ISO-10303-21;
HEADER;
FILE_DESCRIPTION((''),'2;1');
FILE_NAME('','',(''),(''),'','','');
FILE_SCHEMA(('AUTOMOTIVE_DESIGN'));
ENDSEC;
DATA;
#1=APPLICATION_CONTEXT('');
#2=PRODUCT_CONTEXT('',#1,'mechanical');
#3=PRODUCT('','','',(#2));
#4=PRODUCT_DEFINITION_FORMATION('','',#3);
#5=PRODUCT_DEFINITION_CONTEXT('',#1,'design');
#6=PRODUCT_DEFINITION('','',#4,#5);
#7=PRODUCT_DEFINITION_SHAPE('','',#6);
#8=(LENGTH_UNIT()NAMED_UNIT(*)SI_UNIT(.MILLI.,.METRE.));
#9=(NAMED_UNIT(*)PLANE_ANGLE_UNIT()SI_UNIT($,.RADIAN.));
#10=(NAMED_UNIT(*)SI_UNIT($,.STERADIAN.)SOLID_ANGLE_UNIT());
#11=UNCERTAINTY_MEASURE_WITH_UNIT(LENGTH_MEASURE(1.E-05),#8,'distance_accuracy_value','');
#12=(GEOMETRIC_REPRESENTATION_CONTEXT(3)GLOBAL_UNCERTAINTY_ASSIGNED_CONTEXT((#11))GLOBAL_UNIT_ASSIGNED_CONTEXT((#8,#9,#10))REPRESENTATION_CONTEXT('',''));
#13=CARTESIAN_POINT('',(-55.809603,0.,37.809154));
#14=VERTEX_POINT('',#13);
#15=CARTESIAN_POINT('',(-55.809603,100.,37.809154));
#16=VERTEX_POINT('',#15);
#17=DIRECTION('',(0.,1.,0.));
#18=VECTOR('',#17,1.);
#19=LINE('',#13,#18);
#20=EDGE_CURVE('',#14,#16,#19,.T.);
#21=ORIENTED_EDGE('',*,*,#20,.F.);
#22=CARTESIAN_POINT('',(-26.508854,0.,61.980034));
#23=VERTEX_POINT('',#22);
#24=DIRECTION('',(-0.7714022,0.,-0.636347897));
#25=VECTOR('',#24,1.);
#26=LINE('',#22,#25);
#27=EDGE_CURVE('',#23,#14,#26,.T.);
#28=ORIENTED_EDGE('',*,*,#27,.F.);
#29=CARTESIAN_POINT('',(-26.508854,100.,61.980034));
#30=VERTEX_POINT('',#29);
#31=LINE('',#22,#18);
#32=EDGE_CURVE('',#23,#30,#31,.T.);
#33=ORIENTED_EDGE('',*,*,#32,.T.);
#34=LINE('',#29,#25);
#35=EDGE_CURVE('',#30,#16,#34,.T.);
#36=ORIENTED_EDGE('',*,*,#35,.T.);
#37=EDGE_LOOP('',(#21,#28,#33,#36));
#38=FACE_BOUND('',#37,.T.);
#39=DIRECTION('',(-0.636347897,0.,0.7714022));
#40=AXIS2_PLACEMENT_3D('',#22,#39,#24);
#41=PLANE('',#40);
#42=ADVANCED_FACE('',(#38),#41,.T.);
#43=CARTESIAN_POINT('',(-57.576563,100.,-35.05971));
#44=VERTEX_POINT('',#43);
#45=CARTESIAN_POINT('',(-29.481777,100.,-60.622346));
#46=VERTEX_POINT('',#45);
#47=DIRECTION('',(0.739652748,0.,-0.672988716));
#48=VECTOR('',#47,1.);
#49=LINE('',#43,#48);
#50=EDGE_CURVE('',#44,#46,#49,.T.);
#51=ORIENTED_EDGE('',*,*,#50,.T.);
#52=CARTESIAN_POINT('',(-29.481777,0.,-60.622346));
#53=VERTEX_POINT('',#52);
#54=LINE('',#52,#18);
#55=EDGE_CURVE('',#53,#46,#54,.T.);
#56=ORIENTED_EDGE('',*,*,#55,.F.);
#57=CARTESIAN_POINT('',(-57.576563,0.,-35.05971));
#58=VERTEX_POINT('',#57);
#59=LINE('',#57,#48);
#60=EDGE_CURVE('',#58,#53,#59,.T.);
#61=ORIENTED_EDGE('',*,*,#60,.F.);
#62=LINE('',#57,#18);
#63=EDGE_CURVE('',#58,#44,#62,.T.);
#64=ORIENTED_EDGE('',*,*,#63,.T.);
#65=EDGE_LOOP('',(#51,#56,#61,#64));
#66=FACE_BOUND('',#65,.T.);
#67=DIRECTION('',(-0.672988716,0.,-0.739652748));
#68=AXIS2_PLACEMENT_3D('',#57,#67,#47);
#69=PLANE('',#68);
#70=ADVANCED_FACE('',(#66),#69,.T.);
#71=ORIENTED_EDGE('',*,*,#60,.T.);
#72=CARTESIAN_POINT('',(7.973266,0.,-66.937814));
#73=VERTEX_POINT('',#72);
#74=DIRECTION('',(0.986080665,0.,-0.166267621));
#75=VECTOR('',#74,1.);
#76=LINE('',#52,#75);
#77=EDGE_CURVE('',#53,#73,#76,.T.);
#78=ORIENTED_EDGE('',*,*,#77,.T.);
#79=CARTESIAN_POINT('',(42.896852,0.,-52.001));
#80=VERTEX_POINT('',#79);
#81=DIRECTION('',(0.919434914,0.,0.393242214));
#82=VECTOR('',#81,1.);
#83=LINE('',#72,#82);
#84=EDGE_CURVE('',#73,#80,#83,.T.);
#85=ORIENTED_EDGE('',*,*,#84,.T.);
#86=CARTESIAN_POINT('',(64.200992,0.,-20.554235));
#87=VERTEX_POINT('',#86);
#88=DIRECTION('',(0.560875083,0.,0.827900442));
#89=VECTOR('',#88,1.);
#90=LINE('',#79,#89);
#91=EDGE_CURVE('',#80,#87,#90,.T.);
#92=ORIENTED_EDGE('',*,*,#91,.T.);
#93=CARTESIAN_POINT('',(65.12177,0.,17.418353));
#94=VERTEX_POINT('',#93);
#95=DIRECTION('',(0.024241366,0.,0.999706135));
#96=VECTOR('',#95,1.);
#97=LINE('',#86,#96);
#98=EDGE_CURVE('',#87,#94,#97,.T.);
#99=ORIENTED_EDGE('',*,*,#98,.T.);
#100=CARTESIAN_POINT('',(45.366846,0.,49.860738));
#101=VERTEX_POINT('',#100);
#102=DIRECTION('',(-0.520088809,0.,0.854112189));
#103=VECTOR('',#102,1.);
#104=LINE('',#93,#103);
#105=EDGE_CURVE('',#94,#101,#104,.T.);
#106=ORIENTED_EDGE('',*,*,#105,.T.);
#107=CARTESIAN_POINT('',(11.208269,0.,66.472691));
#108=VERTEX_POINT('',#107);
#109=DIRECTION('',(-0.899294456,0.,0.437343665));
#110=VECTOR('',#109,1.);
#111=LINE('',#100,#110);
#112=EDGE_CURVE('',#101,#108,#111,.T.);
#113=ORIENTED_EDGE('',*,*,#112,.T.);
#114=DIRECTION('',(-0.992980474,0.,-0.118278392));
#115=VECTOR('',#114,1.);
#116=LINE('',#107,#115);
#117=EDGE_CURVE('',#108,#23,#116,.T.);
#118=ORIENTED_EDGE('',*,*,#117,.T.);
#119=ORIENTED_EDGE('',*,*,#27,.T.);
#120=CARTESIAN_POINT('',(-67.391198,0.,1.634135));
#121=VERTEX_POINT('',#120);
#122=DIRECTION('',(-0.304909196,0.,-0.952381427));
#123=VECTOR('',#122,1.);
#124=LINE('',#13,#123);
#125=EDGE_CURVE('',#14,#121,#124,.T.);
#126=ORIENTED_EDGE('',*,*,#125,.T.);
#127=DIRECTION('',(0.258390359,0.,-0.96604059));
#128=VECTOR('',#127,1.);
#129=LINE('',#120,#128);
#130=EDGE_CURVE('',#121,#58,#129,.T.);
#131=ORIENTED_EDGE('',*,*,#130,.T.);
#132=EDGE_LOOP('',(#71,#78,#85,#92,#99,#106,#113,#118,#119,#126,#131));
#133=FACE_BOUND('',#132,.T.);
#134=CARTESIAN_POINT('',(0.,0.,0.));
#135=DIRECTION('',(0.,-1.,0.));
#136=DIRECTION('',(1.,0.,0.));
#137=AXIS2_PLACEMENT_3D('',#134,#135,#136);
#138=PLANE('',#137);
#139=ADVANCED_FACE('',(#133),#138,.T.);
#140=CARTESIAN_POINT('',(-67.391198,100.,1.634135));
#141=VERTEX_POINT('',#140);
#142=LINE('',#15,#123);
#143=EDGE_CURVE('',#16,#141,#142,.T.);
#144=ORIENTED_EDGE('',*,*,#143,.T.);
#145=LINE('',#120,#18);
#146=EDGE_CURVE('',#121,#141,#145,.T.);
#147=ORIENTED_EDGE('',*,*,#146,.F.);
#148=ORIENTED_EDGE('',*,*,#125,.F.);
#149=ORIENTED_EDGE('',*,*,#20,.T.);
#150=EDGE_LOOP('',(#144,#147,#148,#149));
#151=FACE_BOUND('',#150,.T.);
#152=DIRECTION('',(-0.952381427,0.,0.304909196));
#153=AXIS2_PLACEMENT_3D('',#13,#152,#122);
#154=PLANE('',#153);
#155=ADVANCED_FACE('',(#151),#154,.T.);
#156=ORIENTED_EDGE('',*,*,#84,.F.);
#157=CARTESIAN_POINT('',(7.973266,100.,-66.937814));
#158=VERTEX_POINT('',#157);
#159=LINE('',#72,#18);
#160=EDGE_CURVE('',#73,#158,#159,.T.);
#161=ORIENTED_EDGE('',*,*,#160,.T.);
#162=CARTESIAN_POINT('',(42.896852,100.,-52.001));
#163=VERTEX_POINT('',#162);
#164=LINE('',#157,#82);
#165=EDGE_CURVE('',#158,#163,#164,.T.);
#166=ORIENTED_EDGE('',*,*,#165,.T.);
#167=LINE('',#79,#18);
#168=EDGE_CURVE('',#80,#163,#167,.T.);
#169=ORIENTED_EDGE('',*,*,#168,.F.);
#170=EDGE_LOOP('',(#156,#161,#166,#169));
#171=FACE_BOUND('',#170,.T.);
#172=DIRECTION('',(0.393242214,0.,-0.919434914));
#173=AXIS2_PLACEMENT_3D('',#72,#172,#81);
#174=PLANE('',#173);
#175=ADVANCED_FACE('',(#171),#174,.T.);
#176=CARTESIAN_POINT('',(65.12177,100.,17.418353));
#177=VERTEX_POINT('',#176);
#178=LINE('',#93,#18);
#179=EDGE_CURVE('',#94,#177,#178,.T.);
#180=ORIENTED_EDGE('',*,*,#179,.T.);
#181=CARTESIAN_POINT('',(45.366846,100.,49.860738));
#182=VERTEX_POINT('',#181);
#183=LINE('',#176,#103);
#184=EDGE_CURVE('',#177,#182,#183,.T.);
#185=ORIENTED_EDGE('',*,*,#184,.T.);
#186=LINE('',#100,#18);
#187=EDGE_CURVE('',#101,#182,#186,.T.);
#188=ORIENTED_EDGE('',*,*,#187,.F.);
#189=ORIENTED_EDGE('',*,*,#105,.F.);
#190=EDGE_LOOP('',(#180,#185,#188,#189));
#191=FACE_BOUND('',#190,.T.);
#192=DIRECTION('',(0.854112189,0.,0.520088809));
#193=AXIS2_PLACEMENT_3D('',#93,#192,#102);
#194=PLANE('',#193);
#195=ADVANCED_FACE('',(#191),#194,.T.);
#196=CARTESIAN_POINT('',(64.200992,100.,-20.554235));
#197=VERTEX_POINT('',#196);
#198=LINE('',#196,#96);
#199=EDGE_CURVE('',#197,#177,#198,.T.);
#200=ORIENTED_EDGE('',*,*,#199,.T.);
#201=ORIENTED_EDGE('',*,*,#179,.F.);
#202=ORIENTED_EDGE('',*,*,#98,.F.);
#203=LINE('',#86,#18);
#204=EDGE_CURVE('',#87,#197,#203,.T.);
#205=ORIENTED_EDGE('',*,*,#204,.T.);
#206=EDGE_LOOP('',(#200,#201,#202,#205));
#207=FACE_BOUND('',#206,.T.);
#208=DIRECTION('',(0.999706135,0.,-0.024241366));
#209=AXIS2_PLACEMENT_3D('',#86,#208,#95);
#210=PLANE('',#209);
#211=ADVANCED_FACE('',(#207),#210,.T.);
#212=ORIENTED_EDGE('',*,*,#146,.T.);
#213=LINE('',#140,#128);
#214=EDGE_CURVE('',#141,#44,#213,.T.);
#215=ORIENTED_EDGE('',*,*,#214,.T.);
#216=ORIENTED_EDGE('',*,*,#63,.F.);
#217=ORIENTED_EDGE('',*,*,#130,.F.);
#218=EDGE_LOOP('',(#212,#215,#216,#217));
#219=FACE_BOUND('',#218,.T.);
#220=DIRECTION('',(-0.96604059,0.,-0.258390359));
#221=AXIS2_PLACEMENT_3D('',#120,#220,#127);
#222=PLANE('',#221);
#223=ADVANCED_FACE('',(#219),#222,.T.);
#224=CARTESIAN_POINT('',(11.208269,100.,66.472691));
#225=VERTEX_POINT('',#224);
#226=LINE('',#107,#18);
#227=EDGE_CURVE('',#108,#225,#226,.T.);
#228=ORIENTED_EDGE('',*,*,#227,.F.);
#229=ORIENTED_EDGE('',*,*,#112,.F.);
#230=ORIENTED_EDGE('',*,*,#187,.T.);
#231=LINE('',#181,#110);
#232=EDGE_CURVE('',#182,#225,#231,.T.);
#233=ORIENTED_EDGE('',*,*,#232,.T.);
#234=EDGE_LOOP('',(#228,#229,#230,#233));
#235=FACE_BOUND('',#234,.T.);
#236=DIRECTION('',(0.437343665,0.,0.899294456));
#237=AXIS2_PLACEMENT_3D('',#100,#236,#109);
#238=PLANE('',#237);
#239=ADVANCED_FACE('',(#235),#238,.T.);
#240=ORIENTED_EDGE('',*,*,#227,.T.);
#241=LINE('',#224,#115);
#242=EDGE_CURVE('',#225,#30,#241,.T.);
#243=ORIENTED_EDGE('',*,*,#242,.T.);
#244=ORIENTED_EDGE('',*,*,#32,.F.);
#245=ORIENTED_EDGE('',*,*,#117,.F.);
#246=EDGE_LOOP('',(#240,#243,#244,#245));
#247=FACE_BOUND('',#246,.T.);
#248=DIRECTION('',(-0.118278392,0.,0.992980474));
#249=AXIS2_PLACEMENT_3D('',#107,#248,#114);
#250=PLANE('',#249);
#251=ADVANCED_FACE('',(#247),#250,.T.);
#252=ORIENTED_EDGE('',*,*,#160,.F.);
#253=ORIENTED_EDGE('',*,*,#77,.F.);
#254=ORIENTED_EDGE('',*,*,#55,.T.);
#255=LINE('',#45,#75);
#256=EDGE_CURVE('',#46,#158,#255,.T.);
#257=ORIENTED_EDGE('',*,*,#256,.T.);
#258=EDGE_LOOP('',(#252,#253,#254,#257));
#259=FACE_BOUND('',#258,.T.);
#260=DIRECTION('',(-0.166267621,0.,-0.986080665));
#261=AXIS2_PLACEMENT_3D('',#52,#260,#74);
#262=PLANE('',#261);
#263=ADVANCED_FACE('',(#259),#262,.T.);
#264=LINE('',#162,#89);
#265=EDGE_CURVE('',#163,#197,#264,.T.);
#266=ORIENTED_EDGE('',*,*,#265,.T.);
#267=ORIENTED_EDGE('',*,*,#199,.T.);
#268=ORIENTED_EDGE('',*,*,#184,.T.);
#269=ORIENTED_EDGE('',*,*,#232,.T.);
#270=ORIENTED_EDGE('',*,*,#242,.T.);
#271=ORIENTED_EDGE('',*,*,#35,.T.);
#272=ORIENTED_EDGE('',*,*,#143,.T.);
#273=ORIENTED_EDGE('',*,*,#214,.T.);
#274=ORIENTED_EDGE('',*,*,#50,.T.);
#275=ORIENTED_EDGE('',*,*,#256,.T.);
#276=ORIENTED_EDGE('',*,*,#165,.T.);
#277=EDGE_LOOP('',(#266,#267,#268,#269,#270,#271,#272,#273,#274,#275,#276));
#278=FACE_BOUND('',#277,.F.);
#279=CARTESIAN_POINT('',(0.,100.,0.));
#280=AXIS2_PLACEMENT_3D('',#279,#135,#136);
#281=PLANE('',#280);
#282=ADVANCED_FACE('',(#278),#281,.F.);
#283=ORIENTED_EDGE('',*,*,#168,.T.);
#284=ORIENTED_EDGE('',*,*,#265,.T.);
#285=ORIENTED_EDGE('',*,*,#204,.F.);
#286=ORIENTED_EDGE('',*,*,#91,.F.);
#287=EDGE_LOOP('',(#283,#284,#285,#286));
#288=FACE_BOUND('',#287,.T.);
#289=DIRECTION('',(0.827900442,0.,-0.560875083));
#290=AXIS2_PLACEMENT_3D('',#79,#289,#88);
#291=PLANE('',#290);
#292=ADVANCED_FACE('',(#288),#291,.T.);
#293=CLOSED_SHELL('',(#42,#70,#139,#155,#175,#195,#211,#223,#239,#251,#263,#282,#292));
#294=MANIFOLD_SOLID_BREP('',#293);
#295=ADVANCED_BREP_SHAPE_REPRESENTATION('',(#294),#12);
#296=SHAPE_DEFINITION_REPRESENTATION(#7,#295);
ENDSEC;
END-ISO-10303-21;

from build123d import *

# Parameters (mm, degrees)
F1_DEPTH = 100


with BuildPart() as f1:
    # F0 (on Front) → F1 (new body)
    with BuildSketch(Plane.XZ):
        Polygon((65.12177, 17.418353), (45.366846, 49.860738), (11.208269, 66.472691), (-26.508854, 61.980034), (-55.809603, 37.809154), (-67.391198, 1.634135), (-57.576563, -35.05971), (-29.481777, -60.622346), (7.973266, -66.937814), (42.896852, -52.001), (64.200992, -20.554235), align=None)
    extrude(amount=-F1_DEPTH)


solid = f1.part
